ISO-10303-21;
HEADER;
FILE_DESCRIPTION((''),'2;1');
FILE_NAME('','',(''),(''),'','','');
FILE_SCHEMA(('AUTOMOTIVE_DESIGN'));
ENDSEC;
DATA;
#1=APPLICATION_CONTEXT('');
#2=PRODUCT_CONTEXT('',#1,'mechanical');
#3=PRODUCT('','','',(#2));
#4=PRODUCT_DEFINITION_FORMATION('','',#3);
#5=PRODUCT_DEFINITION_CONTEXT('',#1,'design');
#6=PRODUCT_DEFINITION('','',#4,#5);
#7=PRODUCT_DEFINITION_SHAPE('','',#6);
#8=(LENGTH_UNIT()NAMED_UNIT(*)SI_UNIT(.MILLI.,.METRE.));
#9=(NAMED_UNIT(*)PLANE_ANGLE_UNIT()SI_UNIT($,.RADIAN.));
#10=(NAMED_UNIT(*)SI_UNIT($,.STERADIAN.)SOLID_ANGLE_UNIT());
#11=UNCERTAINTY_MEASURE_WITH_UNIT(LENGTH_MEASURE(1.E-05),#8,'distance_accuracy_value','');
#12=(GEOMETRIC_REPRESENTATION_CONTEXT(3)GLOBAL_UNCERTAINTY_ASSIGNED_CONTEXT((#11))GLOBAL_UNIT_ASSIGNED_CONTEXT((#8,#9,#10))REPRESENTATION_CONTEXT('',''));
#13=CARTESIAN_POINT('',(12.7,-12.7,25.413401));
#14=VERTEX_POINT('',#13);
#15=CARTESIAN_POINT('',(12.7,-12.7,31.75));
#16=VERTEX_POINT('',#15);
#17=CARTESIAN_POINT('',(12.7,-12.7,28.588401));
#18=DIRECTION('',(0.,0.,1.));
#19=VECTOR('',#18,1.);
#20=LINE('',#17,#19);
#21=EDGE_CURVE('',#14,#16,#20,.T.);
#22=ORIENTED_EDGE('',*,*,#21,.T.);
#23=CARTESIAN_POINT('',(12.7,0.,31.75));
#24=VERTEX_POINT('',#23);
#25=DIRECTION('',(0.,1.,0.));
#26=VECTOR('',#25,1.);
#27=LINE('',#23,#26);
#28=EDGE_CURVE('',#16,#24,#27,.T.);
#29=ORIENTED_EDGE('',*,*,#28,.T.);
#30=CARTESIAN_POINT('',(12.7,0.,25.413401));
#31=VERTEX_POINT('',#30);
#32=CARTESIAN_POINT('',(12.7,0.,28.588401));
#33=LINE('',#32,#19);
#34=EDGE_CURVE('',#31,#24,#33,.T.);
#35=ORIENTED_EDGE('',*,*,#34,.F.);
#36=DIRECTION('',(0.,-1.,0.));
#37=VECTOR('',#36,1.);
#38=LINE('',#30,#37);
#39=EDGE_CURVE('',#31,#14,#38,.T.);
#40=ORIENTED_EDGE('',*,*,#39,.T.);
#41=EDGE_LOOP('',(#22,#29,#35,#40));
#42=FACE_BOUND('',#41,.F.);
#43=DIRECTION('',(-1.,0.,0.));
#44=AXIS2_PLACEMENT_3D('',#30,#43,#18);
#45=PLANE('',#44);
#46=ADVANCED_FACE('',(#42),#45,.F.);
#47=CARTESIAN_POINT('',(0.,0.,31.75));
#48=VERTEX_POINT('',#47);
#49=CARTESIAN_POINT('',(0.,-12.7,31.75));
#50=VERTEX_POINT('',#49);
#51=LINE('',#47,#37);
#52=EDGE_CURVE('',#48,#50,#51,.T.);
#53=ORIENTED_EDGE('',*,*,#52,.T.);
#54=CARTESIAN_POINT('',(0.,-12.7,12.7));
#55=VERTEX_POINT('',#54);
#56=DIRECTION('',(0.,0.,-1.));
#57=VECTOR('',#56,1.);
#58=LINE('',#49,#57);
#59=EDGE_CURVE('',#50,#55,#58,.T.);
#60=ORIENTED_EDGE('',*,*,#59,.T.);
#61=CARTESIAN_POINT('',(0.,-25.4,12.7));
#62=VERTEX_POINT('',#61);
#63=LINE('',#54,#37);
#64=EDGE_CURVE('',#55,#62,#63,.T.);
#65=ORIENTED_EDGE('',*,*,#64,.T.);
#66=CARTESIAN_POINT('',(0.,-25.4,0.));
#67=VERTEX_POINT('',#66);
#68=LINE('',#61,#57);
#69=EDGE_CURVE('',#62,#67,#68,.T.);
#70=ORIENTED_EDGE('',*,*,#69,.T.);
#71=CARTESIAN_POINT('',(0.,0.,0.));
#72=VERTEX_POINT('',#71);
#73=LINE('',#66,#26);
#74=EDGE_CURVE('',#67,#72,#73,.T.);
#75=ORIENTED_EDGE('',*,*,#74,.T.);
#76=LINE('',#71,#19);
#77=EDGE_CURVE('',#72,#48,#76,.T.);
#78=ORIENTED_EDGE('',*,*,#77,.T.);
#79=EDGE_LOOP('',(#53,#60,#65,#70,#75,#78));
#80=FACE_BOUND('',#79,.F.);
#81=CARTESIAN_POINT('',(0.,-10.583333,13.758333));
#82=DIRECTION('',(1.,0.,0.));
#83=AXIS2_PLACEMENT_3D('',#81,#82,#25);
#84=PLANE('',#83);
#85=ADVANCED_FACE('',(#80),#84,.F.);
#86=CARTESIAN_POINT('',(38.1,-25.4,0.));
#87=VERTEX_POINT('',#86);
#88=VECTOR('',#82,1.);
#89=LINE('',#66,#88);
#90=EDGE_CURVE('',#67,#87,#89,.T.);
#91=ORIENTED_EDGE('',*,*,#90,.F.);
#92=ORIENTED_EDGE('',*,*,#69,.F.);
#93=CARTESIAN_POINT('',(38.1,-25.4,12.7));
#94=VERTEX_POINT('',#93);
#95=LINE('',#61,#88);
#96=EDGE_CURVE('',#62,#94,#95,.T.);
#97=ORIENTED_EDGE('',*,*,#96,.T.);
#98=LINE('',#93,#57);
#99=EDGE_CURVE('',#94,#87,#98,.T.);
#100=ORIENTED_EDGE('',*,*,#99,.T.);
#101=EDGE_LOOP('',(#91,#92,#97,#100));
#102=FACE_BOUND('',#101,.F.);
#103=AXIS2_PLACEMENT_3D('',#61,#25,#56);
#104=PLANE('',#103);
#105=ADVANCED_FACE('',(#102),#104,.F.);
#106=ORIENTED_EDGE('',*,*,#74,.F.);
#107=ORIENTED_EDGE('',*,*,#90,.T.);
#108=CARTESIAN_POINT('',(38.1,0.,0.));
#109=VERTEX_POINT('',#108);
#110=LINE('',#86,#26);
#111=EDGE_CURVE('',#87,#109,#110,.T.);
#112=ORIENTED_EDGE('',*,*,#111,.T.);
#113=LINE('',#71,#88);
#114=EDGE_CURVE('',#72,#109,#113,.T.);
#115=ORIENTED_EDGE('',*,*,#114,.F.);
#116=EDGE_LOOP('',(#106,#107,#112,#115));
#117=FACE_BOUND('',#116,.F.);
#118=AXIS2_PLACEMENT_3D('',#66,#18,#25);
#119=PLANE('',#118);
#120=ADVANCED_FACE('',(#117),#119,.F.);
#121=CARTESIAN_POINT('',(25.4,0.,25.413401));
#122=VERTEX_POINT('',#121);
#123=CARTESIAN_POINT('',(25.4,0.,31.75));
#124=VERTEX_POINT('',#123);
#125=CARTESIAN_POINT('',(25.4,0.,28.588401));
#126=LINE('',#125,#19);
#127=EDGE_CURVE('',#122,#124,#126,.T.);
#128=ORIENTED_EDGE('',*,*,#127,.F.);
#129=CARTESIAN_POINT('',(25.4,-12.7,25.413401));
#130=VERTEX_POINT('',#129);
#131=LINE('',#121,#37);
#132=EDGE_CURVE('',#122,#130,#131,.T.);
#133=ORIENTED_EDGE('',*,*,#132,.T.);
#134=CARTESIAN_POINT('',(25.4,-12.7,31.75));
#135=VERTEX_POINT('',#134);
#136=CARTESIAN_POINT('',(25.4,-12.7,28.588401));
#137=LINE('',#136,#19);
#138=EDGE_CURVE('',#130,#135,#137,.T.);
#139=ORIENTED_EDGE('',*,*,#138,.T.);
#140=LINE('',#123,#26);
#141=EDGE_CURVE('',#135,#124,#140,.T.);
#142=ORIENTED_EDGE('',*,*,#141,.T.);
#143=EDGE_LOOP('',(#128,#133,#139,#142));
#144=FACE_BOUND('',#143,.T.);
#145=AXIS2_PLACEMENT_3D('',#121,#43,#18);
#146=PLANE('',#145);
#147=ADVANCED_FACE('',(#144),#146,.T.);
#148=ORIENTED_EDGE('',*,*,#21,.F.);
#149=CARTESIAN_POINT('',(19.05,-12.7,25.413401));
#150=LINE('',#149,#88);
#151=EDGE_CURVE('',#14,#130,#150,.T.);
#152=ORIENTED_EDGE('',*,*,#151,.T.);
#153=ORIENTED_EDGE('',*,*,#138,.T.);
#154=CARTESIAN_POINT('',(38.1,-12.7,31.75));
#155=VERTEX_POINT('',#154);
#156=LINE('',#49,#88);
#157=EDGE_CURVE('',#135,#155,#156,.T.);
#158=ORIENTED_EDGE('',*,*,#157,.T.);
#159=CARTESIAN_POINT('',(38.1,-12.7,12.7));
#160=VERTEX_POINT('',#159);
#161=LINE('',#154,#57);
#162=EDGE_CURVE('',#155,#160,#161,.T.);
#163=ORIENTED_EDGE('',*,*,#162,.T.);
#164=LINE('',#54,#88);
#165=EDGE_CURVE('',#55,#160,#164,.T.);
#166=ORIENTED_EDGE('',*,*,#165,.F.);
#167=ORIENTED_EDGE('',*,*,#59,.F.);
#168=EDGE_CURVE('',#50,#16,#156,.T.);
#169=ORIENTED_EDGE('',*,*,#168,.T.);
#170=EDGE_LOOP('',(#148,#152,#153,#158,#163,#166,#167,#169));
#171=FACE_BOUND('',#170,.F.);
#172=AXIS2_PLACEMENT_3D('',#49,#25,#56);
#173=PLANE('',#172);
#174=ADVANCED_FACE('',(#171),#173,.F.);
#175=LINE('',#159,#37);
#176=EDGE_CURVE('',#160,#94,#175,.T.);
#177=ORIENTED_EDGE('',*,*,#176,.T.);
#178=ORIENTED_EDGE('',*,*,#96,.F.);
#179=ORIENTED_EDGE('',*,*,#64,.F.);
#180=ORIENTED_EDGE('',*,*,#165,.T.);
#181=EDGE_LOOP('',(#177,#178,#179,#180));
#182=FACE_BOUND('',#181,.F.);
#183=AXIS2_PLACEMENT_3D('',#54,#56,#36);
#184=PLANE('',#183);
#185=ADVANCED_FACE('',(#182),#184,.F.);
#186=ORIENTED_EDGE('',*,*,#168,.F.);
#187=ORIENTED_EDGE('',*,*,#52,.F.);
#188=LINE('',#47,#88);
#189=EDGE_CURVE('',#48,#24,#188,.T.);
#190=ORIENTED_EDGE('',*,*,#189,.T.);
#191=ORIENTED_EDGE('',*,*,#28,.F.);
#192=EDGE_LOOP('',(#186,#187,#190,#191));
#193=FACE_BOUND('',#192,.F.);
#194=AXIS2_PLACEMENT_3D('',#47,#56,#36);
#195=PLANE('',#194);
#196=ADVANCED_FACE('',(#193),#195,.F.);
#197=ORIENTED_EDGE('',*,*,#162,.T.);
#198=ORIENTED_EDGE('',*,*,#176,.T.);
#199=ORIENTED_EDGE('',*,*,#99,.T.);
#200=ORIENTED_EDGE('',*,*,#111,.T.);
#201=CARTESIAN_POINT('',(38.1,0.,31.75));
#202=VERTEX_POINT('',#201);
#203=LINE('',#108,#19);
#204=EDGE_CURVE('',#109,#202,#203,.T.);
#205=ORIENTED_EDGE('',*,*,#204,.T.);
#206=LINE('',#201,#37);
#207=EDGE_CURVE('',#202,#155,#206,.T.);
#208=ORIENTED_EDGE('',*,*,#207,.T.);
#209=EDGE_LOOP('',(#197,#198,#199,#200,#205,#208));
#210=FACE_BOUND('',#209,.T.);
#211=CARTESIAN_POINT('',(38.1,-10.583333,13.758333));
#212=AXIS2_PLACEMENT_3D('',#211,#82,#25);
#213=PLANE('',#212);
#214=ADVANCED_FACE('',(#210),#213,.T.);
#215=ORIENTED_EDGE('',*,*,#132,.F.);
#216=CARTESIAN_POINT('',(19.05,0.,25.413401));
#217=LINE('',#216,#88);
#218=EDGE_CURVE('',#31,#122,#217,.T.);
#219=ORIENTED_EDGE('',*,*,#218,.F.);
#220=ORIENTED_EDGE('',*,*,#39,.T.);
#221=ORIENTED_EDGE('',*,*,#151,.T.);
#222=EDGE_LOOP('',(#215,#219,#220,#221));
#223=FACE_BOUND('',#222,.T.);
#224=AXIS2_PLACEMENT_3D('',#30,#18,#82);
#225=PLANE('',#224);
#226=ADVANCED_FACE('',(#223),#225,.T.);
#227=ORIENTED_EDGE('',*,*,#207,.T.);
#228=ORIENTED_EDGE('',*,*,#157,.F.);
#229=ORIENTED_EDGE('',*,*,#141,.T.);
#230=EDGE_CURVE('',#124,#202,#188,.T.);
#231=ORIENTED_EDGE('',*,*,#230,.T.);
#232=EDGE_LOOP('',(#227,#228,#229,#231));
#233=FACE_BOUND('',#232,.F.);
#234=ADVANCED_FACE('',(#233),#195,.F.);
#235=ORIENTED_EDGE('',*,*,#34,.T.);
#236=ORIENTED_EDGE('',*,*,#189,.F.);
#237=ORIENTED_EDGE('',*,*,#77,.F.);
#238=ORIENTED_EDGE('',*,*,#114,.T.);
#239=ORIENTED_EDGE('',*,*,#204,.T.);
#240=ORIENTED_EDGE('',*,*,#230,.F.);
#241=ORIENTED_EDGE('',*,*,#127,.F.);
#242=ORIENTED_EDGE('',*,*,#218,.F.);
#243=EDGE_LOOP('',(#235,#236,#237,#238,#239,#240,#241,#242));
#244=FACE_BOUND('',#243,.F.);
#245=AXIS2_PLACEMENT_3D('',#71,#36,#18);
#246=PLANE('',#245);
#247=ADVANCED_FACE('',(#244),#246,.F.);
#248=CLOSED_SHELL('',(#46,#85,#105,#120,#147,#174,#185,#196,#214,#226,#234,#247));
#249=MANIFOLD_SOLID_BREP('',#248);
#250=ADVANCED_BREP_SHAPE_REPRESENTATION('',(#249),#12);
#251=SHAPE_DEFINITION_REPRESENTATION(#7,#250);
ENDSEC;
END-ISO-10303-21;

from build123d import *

# Parameters (mm, degrees)
F1_DEPTH = 38.1
F2_W     = 12.7
F2_H     = 6.35
F3_DEPTH = 12.7


with BuildPart() as f1:
    # F0 (on Right) → F1 (new body)
    with BuildSketch(Plane.YZ):
        Polygon((-25.4, 0), (0, 0), (0, 31.75), (-12.7, 31.75), (-12.7, 12.7), (-25.4, 12.7), align=None)
    extrude(amount=F1_DEPTH)

    # F2 (on Front) → F3 (cut)
    with BuildSketch(Plane.XZ):
        with Locations((19.05, 28.588401)):
            Rectangle(F2_W, F2_H)
    extrude(amount=F3_DEPTH, mode=Mode.SUBTRACT)


solid = f1.part
